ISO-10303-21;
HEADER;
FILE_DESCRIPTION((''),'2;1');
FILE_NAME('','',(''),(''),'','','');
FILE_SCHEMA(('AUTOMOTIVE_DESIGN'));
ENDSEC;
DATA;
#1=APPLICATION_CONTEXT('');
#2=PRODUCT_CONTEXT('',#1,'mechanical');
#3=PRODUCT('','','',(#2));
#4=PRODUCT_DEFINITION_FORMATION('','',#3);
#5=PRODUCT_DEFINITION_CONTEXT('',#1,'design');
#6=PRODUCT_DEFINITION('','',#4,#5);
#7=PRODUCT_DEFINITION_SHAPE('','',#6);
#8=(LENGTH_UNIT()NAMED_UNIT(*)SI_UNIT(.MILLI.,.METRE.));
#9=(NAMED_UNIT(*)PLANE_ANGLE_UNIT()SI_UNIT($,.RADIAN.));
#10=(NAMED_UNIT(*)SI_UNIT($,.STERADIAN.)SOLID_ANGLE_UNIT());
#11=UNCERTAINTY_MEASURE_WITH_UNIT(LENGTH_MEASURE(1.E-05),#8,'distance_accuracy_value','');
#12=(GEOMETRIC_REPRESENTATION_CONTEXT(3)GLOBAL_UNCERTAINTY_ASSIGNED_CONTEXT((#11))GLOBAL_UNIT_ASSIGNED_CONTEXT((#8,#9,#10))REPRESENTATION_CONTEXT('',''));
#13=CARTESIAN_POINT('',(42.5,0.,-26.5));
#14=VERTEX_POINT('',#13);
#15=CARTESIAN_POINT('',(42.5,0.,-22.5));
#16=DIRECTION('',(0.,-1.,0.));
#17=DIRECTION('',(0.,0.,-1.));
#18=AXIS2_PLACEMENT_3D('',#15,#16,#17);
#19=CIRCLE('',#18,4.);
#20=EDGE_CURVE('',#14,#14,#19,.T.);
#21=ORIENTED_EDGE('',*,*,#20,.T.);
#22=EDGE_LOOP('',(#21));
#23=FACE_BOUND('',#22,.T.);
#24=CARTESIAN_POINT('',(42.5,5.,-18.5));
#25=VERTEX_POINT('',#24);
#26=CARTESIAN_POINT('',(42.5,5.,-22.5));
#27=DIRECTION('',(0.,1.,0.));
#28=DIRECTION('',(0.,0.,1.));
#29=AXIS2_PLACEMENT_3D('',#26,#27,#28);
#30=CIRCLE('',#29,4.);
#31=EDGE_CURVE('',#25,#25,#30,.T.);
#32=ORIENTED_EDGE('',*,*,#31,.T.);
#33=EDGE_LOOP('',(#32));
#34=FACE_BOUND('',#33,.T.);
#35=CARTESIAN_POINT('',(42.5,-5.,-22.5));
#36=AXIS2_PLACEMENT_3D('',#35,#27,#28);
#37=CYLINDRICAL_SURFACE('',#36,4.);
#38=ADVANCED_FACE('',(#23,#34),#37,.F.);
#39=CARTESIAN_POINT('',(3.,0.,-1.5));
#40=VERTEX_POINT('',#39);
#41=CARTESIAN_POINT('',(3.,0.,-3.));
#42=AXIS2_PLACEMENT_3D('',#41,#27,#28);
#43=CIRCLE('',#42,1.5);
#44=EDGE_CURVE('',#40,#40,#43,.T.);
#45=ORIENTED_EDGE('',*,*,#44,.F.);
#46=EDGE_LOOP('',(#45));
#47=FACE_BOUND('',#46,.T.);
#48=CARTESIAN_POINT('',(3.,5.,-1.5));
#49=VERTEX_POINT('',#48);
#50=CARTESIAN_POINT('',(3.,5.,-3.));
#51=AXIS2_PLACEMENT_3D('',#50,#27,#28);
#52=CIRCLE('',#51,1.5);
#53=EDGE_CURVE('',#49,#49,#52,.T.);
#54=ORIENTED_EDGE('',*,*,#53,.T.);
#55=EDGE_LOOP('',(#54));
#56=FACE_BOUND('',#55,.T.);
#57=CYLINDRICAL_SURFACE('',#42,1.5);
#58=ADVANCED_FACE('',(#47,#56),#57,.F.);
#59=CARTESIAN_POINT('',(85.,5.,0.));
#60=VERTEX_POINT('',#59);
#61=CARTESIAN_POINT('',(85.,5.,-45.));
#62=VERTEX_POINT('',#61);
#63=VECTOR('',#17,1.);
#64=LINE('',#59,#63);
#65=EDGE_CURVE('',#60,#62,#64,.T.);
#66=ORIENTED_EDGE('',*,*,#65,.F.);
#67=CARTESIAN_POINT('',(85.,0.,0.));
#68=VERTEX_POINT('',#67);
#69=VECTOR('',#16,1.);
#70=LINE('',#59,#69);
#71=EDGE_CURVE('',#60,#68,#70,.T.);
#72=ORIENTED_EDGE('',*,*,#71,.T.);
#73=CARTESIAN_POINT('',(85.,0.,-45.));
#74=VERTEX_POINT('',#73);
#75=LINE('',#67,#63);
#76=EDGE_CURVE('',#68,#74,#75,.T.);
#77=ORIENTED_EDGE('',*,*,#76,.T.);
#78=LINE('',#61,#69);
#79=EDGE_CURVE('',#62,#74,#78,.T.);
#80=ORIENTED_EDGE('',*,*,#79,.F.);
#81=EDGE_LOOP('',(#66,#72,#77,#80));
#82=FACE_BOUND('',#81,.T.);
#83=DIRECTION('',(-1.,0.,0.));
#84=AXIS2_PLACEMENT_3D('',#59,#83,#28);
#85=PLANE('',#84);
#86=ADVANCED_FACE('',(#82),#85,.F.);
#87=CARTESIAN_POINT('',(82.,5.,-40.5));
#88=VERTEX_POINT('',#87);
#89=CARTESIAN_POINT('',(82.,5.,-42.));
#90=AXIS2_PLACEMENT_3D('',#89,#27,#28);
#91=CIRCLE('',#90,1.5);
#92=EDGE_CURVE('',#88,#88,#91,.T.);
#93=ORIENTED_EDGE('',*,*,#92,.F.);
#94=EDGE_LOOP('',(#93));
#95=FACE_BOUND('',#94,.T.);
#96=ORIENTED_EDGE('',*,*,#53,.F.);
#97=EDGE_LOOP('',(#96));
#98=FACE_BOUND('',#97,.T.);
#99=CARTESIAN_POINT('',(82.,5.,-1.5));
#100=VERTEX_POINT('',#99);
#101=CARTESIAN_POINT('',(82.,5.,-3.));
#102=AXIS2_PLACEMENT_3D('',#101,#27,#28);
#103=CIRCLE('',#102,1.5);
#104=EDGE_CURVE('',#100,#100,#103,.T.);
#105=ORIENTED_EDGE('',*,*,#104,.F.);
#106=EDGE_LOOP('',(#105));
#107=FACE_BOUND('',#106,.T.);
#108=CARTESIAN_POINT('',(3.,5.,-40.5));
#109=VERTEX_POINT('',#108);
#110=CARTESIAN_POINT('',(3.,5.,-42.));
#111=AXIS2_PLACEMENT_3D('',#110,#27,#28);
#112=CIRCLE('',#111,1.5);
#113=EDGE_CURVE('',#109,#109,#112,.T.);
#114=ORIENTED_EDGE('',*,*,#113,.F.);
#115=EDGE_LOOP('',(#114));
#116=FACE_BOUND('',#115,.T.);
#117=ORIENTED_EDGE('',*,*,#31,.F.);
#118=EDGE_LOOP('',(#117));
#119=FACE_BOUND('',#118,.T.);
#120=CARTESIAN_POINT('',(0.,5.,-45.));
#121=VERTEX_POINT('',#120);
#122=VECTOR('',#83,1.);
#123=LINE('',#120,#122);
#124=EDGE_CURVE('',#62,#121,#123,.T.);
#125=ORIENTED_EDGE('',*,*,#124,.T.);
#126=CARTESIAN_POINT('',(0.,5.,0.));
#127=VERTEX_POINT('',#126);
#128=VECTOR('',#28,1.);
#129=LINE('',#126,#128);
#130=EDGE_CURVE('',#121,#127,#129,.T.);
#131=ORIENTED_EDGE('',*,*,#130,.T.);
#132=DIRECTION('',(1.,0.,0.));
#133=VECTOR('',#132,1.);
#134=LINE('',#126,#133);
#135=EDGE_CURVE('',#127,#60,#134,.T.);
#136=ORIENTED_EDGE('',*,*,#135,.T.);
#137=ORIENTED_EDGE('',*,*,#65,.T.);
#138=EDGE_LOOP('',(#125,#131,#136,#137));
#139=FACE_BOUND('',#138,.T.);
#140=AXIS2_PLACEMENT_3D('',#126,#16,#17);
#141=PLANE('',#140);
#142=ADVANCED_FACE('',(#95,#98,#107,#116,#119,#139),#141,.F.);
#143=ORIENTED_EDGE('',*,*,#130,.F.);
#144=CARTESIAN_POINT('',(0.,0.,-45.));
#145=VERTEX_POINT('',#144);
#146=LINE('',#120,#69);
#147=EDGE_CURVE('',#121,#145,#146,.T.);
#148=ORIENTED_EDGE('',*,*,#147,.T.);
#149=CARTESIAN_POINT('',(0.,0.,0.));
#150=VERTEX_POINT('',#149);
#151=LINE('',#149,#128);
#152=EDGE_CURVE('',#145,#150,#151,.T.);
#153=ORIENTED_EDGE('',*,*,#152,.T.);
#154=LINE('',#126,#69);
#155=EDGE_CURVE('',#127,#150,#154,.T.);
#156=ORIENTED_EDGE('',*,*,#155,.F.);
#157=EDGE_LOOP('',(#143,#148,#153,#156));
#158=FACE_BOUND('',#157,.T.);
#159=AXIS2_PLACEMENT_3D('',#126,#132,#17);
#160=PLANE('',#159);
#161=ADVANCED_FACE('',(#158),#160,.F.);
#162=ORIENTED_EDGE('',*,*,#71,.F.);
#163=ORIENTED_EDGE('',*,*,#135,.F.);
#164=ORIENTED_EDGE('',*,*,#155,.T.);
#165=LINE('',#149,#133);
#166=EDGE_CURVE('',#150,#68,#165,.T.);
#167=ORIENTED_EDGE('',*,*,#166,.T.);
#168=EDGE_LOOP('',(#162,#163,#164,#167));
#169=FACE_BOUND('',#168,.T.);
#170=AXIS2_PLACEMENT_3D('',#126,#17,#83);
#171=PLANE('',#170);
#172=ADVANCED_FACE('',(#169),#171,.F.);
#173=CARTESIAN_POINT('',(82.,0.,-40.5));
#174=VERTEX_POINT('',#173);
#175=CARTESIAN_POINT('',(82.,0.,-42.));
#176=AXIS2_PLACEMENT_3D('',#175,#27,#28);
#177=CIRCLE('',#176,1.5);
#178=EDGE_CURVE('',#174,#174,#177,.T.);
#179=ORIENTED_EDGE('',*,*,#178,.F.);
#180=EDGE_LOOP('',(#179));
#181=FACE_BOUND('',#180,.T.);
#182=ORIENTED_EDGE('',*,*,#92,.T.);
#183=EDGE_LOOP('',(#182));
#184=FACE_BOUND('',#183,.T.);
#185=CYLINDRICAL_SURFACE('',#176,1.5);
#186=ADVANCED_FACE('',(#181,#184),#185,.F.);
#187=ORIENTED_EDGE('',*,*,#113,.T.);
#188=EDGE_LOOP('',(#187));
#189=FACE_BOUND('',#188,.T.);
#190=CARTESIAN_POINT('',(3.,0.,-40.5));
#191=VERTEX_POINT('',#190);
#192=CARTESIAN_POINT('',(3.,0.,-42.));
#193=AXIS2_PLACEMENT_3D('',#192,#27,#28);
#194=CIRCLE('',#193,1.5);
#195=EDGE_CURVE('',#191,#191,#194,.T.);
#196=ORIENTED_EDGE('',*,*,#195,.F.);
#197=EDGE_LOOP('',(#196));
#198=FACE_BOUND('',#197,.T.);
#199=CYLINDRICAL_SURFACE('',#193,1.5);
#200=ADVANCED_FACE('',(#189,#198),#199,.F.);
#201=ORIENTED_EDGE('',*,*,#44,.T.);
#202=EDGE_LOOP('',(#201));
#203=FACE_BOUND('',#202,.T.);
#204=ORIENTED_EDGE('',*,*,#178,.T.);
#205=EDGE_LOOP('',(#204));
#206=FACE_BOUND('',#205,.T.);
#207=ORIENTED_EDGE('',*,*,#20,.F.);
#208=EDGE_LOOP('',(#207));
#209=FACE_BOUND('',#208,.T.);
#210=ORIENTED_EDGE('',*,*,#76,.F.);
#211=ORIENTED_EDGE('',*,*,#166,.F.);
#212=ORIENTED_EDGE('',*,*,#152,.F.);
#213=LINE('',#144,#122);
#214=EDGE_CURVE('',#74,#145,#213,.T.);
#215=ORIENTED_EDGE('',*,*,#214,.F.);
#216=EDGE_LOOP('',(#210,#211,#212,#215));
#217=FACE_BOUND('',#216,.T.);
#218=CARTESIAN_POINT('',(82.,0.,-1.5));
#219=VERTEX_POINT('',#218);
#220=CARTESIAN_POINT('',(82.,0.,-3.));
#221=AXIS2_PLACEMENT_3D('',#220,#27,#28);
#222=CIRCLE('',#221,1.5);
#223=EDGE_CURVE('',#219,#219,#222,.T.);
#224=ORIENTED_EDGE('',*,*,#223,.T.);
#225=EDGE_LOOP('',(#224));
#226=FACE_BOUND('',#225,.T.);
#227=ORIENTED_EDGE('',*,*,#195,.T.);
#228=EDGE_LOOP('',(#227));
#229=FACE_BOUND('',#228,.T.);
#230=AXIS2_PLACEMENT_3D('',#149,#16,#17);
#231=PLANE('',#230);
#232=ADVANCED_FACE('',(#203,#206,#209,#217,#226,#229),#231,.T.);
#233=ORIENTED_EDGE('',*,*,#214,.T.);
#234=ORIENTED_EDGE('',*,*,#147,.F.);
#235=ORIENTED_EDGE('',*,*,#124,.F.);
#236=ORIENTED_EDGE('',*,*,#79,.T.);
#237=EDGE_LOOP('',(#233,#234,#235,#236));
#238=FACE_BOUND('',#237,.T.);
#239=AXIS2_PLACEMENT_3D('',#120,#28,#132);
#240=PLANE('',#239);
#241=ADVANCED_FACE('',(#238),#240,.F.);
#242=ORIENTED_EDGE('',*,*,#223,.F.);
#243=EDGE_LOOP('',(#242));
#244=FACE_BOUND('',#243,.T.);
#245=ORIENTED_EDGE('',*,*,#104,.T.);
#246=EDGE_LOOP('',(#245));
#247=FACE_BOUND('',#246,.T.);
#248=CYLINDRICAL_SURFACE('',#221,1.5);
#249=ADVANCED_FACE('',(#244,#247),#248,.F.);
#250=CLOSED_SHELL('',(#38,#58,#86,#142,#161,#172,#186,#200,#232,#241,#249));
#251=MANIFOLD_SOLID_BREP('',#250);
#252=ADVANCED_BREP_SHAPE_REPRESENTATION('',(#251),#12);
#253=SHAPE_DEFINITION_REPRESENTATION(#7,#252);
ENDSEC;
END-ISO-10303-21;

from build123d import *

# Parameters (mm, degrees)
SKETCH1_W           = 85
SKETCH1_H           = 45
BOSS_EXTRUDE1_DEPTH = 5
SKETCH2_R           = 1.5
CUT_EXTRUDE1_DEPTH  = 5
SKETCH3_R           = 4
CUT_EXTRUDE2_DEPTH  = 10


with BuildPart() as part:
    # Sketch1 → Boss-Extrude1 (new body)
    with BuildSketch(Plane(origin=(0, 0, 0), x_dir=(1, 0, 0), z_dir=(0, 1, 0))):
        with Locations((42.5, 22.5)):
            Rectangle(SKETCH1_W, SKETCH1_H)
    extrude(amount=BOSS_EXTRUDE1_DEPTH)

    # Sketch2 → Cut-Extrude1 (cut)
    with BuildSketch(Plane(origin=(0, 5, 0), x_dir=(1, 0, 0), z_dir=(0, 1, 0))):
        with Locations(Location((3, 42, 0), (0, 0, 270))):
            Circle(SKETCH2_R)
        with Locations(Location((3, 3, 0), (0, 0, 270))):
            Circle(SKETCH2_R)
        with Locations(Location((82, 3, 0), (0, 0, 270))):
            Circle(SKETCH2_R)
        with Locations(Location((82, 42, 0), (0, 0, 270))):
            Circle(SKETCH2_R)
    extrude(amount=-CUT_EXTRUDE1_DEPTH, mode=Mode.SUBTRACT)

    # Sketch3 → Cut-Extrude2 (cut)
    with BuildSketch(Plane(origin=(0, 5, 0), x_dir=(1, 0, 0), z_dir=(0, 1, 0))):
        with Locations(Location((42.5, 22.5, 0), (0, 0, 270))):
            Circle(SKETCH3_R)
    extrude(amount=-CUT_EXTRUDE2_DEPTH, mode=Mode.SUBTRACT)


solid = part.part
